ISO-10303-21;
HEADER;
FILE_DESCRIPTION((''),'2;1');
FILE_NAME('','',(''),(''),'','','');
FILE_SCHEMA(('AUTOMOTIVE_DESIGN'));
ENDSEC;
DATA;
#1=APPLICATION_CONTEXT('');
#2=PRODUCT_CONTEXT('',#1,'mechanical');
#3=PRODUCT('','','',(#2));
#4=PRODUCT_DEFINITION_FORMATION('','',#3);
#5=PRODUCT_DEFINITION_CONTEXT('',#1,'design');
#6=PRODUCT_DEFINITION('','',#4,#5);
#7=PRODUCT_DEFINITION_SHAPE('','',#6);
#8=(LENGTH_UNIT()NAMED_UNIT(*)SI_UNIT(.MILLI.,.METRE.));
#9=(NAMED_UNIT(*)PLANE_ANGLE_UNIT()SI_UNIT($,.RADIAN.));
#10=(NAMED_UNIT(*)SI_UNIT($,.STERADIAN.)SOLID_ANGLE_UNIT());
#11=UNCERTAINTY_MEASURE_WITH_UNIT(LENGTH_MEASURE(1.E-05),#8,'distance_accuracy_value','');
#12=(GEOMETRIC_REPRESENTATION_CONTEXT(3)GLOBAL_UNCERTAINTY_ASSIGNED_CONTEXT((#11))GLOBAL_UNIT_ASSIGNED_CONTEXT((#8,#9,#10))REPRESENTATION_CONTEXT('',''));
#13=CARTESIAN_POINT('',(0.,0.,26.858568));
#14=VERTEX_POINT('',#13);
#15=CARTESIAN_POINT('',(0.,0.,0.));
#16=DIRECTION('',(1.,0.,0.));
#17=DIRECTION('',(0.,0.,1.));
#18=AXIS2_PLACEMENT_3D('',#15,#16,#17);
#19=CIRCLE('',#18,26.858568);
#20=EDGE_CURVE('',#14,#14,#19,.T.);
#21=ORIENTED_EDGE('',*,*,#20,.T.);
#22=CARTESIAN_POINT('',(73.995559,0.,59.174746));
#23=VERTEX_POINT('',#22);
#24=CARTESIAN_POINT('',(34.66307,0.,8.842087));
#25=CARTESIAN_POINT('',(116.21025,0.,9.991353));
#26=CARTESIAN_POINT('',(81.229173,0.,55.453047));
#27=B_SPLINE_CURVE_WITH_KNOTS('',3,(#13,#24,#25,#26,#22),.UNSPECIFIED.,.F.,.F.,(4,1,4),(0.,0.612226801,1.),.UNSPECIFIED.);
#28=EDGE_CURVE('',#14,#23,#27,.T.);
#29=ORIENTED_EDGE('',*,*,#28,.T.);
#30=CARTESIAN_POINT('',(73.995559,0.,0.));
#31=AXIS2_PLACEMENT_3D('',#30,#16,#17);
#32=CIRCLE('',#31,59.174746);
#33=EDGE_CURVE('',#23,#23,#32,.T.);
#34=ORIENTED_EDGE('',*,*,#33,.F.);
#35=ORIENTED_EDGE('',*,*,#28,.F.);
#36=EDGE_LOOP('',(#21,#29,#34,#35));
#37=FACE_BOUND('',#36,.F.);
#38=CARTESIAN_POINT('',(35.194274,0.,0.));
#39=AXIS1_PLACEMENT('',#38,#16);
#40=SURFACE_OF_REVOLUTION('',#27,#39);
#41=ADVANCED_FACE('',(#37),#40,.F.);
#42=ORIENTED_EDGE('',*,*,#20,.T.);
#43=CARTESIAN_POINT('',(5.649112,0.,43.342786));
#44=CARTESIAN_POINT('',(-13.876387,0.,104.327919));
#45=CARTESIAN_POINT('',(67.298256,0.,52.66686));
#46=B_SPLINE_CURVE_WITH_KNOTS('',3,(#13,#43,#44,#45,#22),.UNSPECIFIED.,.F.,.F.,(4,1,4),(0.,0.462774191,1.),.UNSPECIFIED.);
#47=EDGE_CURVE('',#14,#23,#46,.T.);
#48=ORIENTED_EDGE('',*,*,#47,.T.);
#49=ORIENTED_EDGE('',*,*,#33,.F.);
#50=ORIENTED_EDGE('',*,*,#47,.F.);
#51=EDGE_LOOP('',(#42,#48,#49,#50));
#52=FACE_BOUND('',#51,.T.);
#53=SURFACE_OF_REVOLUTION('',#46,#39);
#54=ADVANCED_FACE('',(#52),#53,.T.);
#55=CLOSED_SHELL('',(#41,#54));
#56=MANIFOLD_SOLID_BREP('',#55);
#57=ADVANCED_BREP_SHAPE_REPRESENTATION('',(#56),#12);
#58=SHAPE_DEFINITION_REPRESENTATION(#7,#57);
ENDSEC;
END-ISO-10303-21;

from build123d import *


with BuildPart() as f1:
    # F0 (on Front) → F1 (revolve)
    with BuildSketch(Plane.XZ):
        with BuildLine():
            add(Edge.make_bspline(
                [(0, 26.8585676326), (5.6491121233, 43.3427862818), (-13.876387172, 104.327918766), (67.2982558608, 52.6668597013), (73.9955588438, 59.1747460251)],
                knots=[0, 0, 0, 0, 0.4627741907, 1, 1, 1, 1], degree=3))
            add(Edge.make_bspline(
                [(0, 26.8585676326), (34.6630700457, 8.8420869131), (116.2102496375, 9.9913531162), (81.229172647, 55.4530471563), (73.9955588438, 59.1747460251)],
                knots=[0, 0, 0, 0, 0.612226801, 1, 1, 1, 1], degree=3))
        make_face()
    revolve(axis=Axis((35.1942740381, 0, 0), (1, 0, 0)))


solid = f1.part
